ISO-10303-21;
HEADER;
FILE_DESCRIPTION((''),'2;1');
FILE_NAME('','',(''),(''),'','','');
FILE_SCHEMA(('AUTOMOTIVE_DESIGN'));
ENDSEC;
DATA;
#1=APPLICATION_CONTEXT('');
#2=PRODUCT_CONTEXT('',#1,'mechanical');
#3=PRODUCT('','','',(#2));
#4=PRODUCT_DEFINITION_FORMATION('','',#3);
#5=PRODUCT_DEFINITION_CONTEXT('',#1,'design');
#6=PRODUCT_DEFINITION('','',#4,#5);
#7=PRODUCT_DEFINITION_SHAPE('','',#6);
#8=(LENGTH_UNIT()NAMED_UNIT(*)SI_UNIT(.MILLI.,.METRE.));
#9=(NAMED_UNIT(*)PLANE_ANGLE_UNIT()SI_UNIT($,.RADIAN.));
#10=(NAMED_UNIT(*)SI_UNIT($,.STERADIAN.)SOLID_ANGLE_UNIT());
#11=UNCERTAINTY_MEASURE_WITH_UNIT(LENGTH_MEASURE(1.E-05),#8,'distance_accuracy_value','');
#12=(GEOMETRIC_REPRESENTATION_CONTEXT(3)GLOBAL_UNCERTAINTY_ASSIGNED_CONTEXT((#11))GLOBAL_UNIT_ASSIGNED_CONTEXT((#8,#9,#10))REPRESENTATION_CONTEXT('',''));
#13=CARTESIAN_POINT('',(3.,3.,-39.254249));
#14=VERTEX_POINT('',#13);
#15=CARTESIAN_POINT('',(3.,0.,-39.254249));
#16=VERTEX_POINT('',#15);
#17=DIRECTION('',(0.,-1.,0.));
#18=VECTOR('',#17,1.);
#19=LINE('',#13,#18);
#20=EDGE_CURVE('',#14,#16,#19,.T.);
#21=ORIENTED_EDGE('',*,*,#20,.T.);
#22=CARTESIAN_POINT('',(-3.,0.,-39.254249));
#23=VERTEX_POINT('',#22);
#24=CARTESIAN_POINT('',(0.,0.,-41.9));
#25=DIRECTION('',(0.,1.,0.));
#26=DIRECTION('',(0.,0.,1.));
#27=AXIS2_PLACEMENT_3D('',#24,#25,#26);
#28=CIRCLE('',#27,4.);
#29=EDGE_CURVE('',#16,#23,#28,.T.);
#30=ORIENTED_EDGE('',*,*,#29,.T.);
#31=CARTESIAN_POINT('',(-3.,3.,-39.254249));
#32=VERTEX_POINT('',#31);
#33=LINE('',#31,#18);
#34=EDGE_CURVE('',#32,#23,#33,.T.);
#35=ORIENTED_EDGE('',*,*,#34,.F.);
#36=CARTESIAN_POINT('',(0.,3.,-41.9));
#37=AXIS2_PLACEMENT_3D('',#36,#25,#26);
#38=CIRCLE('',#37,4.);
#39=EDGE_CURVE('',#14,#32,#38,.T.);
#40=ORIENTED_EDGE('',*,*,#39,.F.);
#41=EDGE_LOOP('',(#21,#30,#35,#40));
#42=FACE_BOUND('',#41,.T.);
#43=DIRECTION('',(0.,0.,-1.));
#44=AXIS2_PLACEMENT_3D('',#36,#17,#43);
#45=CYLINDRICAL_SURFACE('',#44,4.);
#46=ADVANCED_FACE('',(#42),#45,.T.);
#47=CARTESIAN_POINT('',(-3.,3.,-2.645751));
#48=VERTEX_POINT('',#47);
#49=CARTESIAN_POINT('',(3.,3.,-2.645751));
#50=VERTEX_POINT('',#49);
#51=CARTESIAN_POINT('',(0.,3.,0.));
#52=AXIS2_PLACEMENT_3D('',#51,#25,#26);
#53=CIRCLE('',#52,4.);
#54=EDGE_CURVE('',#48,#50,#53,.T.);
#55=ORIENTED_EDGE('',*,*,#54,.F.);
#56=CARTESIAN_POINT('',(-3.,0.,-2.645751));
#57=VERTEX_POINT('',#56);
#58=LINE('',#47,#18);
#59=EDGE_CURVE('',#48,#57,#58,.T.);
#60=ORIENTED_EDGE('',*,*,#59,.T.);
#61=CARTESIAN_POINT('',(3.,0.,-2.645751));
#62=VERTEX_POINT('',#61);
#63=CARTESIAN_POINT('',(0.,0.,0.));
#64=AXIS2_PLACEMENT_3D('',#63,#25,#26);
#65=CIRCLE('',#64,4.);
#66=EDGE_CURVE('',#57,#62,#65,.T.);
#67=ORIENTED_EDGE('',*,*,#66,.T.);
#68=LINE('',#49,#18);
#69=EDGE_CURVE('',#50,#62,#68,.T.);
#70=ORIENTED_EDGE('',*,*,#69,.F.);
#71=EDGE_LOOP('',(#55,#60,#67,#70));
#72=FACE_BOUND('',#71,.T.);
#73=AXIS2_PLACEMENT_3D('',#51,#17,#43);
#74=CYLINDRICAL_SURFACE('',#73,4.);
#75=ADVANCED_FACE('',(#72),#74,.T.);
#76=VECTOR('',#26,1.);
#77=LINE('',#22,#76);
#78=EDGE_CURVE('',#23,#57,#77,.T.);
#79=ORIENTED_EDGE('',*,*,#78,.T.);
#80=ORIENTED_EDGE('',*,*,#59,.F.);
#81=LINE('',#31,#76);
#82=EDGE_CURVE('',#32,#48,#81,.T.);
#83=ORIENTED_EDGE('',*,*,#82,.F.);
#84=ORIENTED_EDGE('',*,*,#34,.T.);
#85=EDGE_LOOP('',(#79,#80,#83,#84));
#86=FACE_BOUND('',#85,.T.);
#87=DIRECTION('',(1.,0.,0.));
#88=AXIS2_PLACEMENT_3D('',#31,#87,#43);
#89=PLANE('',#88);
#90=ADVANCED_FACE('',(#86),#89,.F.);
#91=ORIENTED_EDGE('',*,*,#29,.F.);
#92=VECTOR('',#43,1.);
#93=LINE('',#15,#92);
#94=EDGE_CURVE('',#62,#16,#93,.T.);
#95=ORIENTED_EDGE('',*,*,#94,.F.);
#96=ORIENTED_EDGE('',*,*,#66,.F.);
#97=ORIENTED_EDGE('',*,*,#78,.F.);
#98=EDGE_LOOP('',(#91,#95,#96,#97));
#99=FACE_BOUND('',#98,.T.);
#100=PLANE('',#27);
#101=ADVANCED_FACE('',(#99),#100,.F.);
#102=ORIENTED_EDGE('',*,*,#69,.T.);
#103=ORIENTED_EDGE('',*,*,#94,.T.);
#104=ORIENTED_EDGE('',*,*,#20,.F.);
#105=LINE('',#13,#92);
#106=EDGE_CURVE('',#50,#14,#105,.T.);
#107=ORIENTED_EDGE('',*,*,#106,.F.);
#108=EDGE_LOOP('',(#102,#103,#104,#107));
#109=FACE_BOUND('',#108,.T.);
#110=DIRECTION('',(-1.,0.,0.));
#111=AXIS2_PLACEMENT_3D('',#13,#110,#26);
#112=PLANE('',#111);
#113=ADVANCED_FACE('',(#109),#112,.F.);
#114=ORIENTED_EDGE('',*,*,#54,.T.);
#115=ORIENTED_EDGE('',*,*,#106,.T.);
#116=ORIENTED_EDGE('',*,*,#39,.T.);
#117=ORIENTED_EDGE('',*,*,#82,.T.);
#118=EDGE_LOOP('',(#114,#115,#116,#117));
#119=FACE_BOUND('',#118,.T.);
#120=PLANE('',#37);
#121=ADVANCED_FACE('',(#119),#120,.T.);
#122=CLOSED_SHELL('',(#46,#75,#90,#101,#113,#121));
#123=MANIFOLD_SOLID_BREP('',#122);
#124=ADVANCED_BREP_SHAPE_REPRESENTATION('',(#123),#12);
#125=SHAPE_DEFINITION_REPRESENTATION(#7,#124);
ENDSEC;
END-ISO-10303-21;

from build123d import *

# Parameters (mm, degrees)
BOSS_EXTRUDE1_DEPTH = 3


with BuildPart() as part:
    # Sketch1 → Boss-Extrude1 (new body)
    with BuildSketch(Plane(origin=(0, 0, 0), x_dir=(1, 0, 0), z_dir=(0, 1, 0))):
        with BuildLine():
            Line((-3, 39.254248689), (-3, 2.645751311))
            ThreePointArc((-3, 2.645751311), (0, -4), (3, 2.645751311))
            Line((3, 2.645751311), (3, 39.254248689))
            ThreePointArc((3, 39.254248689), (0, 45.9), (-3, 39.254248689))
        make_face()
    extrude(amount=BOSS_EXTRUDE1_DEPTH)


solid = part.part
